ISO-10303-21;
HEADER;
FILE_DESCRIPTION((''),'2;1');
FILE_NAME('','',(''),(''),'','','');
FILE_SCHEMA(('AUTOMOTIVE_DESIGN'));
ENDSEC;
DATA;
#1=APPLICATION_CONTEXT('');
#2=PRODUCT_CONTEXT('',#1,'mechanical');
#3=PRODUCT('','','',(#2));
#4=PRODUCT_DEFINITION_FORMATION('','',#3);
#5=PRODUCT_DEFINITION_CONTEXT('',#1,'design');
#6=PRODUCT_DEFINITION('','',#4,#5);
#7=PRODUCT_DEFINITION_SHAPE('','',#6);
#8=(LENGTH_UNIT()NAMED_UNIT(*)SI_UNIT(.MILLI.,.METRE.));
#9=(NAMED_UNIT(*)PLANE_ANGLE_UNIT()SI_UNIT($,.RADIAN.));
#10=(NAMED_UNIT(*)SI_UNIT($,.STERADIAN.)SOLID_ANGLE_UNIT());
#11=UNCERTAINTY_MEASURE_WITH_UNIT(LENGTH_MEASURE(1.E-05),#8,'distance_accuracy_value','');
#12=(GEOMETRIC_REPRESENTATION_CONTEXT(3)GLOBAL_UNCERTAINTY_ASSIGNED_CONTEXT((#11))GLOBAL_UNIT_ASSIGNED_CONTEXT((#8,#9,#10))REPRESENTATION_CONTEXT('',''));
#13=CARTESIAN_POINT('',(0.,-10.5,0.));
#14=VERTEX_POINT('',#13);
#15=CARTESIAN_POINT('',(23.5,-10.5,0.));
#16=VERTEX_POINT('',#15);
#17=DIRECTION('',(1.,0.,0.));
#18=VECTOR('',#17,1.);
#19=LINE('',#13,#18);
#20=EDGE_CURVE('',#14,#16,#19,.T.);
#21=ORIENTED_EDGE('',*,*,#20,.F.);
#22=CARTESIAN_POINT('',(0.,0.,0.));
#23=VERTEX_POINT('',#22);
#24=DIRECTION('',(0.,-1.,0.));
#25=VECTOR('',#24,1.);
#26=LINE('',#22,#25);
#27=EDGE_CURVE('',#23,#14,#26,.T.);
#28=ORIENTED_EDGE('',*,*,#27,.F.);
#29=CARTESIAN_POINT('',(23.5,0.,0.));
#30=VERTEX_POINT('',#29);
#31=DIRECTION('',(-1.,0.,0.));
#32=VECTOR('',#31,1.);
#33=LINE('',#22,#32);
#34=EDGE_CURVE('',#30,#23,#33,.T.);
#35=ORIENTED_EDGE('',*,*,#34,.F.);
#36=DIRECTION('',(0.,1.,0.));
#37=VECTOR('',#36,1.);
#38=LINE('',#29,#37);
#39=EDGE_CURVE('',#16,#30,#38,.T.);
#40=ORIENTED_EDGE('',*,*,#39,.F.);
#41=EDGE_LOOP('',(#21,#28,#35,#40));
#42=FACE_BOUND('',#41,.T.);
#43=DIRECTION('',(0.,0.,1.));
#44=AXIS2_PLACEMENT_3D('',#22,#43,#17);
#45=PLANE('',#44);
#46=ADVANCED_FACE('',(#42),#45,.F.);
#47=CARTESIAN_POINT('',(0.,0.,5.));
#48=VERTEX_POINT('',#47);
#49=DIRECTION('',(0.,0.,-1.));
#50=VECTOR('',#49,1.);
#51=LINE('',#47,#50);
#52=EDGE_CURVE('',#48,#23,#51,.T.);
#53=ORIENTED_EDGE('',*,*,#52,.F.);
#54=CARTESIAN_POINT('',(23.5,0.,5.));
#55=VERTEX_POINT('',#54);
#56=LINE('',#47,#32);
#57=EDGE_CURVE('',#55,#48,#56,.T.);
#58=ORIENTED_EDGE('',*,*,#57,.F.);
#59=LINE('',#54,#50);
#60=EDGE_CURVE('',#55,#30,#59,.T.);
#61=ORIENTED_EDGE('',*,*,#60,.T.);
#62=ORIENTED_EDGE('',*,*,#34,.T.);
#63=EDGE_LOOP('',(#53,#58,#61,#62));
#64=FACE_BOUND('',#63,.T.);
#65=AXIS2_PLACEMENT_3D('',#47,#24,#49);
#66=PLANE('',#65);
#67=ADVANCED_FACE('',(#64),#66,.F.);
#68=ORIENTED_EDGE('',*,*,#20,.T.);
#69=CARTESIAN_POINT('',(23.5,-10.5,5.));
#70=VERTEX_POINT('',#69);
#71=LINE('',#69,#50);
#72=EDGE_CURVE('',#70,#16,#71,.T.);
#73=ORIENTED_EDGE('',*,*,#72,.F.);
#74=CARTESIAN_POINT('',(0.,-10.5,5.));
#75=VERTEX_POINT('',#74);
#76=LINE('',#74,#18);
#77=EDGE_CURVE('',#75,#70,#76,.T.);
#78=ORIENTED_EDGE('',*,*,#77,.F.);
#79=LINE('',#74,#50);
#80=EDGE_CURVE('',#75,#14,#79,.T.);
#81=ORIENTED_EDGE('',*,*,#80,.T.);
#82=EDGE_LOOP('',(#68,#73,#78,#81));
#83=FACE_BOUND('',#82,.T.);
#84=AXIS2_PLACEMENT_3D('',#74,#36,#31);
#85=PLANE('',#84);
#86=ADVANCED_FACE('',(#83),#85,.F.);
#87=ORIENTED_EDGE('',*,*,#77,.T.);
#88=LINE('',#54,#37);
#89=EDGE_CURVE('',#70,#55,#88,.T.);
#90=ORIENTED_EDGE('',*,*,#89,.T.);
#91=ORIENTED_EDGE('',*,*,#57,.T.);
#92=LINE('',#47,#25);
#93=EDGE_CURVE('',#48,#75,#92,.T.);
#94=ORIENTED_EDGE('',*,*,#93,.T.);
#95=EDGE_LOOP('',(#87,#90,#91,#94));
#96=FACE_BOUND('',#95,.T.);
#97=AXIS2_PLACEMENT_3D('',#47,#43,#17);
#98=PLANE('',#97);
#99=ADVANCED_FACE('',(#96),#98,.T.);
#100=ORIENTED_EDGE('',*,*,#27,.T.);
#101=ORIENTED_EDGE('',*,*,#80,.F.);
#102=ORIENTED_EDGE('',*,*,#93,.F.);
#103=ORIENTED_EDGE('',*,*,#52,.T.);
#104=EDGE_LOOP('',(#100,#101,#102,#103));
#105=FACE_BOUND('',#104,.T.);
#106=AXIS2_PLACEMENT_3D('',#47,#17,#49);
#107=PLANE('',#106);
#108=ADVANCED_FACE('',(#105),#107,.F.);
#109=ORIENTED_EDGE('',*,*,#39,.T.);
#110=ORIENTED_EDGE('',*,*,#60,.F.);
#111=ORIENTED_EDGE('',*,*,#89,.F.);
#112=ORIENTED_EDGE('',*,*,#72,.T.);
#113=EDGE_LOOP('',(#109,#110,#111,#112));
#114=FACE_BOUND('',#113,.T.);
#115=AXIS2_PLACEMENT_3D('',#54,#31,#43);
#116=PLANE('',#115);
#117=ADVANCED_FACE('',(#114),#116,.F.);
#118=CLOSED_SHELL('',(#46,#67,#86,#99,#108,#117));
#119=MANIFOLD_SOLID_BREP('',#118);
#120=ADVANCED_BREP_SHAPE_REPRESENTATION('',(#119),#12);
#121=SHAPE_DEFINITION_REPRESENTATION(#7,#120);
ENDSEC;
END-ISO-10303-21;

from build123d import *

# Parameters (mm, degrees)
SKETCH1_W           = 23.5
SKETCH1_H           = 10.5
BOSS_EXTRUDE1_DEPTH = 5


with BuildPart() as part:
    # Sketch1 → Boss-Extrude1 (new body)
    with BuildSketch(Plane.XY):
        with Locations((11.75, -5.25)):
            Rectangle(SKETCH1_W, SKETCH1_H)
    extrude(amount=BOSS_EXTRUDE1_DEPTH)


solid = part.part
